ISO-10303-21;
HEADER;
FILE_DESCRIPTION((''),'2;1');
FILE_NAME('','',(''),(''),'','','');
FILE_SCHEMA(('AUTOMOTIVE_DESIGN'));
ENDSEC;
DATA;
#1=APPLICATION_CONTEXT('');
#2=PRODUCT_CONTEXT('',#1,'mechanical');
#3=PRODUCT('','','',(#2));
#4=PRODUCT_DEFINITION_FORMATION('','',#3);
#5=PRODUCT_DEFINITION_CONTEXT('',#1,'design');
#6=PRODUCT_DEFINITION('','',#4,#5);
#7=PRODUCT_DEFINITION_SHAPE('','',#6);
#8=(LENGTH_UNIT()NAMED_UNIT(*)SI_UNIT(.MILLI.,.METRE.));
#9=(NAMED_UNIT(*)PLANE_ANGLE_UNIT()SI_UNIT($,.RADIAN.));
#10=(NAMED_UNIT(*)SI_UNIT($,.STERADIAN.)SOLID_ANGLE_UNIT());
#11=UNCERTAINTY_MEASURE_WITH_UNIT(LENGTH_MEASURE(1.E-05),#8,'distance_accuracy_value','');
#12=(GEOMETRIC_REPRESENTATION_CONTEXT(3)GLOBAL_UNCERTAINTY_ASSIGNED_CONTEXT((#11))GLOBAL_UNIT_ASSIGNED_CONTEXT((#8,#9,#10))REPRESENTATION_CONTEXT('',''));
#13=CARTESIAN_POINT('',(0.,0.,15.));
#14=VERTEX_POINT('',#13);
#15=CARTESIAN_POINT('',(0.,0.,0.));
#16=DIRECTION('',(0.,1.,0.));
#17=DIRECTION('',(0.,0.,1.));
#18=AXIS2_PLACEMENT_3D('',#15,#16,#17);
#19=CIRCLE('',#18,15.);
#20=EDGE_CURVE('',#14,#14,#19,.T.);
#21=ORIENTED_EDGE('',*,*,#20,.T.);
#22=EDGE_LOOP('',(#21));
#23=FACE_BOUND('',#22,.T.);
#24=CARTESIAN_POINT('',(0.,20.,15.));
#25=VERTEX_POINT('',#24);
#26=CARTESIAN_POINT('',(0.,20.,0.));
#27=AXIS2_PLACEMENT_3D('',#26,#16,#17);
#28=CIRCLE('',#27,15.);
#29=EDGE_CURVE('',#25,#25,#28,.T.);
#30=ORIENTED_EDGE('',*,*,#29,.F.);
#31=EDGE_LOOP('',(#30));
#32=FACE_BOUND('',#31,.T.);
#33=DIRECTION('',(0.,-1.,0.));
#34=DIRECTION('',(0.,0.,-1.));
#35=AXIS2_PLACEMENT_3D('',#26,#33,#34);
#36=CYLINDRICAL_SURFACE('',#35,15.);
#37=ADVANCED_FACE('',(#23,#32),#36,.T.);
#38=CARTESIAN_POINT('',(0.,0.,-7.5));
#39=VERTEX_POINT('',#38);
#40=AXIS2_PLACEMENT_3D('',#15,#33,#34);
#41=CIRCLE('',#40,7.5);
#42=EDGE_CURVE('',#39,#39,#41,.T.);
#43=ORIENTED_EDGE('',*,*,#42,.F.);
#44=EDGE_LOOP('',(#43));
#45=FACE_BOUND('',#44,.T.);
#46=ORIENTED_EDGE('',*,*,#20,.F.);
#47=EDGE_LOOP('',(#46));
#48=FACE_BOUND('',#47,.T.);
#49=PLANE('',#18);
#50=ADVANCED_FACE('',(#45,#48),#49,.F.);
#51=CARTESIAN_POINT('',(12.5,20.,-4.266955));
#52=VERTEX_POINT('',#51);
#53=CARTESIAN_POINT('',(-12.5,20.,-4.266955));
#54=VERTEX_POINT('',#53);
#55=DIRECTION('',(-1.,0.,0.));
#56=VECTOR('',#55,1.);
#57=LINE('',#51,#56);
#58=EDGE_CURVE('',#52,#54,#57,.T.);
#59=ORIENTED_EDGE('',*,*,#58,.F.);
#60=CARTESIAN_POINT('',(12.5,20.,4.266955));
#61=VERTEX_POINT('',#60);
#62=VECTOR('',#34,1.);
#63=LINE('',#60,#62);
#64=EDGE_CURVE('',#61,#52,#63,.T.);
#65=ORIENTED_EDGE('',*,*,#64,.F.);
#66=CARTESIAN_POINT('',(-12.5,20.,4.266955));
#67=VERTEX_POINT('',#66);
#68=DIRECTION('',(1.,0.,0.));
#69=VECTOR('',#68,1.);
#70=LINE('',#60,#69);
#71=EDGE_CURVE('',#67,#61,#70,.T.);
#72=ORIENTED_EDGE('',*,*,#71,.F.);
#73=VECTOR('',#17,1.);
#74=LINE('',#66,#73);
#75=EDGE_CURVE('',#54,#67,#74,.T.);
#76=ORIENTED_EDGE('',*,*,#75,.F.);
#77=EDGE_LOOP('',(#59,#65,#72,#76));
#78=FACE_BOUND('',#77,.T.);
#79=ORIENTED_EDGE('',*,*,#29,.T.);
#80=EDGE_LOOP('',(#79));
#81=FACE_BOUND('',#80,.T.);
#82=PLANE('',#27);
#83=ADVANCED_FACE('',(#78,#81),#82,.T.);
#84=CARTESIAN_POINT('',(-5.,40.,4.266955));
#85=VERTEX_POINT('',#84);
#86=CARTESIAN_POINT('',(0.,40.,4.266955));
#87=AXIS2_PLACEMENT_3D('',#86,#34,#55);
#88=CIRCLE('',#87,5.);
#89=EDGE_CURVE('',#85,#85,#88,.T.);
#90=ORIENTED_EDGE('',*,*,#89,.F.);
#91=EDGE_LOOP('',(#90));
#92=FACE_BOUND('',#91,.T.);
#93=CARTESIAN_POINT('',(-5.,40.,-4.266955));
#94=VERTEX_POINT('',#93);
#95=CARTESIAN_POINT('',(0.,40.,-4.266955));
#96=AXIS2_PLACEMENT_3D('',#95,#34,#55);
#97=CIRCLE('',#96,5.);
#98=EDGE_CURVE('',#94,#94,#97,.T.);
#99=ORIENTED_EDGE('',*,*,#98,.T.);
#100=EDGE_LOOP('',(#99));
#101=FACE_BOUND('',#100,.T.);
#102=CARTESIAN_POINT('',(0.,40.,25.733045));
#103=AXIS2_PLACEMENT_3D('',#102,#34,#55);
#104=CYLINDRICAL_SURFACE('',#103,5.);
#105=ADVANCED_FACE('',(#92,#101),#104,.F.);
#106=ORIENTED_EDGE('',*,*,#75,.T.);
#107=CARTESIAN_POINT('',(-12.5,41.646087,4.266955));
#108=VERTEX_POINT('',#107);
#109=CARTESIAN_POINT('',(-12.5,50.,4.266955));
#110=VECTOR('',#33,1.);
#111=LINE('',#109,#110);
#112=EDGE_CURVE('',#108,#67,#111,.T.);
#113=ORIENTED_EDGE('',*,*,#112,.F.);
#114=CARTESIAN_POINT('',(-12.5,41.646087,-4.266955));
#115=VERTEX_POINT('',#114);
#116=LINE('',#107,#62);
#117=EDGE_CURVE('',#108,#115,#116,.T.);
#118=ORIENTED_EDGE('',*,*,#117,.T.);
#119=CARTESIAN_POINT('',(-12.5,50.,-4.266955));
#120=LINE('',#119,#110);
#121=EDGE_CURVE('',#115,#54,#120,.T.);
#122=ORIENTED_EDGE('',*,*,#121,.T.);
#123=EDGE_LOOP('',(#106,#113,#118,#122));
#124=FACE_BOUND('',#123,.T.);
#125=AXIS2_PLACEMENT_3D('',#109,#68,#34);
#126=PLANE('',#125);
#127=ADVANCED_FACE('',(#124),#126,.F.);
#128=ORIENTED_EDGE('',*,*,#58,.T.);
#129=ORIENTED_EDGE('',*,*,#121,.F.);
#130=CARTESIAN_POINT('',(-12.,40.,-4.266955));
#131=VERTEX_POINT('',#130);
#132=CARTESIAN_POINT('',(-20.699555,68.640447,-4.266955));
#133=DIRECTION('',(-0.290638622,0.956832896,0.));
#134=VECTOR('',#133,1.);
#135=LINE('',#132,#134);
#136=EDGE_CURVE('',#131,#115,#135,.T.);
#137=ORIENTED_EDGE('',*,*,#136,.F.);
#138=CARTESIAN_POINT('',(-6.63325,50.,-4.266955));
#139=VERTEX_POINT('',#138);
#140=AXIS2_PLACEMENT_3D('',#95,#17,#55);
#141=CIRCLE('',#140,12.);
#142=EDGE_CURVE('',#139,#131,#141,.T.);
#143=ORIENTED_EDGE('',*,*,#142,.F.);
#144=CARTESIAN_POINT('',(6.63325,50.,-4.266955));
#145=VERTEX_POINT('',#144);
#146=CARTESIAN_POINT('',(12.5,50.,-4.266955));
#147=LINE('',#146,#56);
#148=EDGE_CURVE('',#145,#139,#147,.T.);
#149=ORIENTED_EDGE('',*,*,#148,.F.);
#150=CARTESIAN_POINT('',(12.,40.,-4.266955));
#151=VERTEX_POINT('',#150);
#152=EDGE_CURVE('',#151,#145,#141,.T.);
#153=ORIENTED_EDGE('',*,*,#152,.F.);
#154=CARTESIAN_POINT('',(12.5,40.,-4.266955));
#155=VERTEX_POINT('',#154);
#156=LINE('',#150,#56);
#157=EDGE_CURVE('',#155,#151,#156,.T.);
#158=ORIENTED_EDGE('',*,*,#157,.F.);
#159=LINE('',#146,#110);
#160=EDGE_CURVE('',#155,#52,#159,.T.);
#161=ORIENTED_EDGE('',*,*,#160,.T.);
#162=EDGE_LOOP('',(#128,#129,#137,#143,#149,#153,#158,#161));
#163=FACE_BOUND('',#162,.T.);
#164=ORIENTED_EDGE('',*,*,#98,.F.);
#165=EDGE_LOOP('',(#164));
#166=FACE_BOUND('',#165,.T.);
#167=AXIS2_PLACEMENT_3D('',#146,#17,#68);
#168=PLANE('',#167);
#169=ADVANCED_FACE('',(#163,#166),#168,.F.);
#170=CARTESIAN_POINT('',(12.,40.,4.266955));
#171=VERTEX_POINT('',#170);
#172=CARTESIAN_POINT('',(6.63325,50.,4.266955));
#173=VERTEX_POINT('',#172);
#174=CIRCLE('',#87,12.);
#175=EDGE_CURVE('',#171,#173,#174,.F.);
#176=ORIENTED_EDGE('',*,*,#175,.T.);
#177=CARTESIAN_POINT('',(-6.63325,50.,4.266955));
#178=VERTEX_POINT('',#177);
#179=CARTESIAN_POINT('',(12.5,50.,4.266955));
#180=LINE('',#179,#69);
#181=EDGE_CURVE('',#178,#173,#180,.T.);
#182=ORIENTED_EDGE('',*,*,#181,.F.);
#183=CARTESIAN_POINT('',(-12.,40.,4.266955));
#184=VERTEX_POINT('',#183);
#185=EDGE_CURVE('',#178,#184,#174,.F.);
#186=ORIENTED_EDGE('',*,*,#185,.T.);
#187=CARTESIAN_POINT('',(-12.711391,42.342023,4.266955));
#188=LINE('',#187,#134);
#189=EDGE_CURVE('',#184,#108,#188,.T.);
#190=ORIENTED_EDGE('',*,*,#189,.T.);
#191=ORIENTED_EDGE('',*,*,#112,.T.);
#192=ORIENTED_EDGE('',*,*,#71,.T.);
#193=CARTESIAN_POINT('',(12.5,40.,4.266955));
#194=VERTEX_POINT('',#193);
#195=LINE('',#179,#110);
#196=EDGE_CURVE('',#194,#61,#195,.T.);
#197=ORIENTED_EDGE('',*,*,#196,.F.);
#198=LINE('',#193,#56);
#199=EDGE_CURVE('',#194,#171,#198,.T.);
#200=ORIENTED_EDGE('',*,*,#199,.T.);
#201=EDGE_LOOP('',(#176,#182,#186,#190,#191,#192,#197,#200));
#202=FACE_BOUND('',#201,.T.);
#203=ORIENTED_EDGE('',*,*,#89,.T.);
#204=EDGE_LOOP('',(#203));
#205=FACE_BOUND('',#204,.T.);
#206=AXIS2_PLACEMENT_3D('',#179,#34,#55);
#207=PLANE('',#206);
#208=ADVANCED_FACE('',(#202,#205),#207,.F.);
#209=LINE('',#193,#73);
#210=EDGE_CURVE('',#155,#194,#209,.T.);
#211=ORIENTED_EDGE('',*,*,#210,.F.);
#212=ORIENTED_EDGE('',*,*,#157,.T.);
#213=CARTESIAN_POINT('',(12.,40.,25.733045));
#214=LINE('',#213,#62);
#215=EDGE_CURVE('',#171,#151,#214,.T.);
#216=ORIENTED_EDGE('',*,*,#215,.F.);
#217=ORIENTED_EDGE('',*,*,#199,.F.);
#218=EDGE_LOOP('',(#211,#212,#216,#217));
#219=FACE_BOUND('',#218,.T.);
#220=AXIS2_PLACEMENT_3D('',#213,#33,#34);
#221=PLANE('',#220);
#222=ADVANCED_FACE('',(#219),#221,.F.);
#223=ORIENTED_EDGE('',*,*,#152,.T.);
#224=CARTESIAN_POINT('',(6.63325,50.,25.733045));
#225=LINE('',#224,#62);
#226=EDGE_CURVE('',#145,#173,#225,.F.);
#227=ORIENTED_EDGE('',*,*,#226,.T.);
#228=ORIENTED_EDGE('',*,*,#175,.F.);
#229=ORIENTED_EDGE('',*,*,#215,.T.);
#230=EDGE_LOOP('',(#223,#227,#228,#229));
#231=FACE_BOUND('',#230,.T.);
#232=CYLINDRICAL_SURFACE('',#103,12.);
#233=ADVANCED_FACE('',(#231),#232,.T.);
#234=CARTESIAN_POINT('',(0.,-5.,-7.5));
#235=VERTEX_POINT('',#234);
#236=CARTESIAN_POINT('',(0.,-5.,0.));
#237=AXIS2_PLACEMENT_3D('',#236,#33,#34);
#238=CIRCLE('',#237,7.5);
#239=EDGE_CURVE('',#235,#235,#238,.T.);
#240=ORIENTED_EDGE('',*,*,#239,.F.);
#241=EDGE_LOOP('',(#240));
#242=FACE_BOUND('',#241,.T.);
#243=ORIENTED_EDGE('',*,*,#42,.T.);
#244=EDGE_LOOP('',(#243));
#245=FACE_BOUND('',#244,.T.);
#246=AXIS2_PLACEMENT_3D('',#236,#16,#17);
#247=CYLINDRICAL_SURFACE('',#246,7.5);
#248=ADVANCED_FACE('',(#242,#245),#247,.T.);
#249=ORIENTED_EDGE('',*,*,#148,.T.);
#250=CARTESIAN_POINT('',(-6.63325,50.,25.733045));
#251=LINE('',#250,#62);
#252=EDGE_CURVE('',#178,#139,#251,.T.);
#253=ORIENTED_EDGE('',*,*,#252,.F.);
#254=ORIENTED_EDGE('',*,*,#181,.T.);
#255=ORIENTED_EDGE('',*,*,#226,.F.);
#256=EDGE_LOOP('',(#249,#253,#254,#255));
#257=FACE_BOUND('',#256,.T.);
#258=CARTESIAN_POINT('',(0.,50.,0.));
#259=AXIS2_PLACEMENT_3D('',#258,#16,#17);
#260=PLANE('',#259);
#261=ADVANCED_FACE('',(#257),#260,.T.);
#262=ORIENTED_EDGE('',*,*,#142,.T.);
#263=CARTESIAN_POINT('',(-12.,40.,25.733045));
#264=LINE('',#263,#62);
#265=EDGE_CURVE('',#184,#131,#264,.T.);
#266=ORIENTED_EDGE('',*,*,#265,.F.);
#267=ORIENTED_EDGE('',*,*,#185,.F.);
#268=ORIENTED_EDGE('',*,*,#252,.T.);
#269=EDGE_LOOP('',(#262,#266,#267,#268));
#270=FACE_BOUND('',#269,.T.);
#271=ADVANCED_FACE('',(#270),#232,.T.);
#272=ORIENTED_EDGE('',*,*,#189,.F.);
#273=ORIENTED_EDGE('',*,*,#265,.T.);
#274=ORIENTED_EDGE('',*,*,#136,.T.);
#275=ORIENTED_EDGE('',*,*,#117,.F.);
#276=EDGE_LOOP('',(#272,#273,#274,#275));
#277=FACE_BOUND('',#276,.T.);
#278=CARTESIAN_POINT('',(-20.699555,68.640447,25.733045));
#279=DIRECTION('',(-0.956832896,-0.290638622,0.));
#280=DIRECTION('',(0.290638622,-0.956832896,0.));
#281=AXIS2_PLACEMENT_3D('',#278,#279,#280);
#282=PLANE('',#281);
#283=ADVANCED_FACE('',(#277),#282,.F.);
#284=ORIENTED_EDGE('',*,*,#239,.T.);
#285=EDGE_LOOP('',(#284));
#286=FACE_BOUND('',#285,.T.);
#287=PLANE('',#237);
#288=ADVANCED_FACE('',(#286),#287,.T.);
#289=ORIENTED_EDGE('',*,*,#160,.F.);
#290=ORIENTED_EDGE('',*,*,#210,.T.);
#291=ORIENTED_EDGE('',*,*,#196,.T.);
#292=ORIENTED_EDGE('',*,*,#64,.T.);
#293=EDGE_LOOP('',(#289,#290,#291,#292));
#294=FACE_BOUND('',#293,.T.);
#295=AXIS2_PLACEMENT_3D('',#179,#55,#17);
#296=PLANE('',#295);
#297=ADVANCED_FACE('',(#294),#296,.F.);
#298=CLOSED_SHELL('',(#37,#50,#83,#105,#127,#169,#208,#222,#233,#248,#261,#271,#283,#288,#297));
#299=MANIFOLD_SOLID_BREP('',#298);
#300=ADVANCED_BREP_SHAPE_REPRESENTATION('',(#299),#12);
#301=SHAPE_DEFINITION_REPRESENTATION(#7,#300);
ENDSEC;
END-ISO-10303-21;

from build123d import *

# Parameters (mm, degrees)
SKETCH1_R           = 15
BOSS_EXTRUDE1_DEPTH = 20
SKETCH2_R           = 7.5
CUT_EXTRUDE1_DEPTH  = 10
SKETCH3_W           = 25
SKETCH3_H           = 8.533910502
BOSS_EXTRUDE2_DEPTH = 30
SKETCH4_R           = 5
CUT_EXTRUDE2_DEPTH  = 30
SKETCH5_R           = 7.5
BOSS_EXTRUDE3_DEPTH = 15


with BuildPart() as part:
    # Sketch1 → Boss-Extrude1 (new body)
    with BuildSketch(Plane(origin=(0, 0, 0), x_dir=(1, 0, 0), z_dir=(0, 1, 0))):
        Circle(SKETCH1_R)
    extrude(amount=BOSS_EXTRUDE1_DEPTH)

    # Sketch2 → Cut-Extrude1 (cut)
    with BuildSketch(Plane.XZ):
        Circle(SKETCH2_R)
    extrude(amount=-CUT_EXTRUDE1_DEPTH, mode=Mode.SUBTRACT)

    # Sketch3 → Boss-Extrude2 (add)
    with BuildSketch(Plane(origin=(0, 20, 0), x_dir=(1, 0, 0), z_dir=(0, 1, 0))):
        Rectangle(SKETCH3_W, SKETCH3_H)
    extrude(amount=BOSS_EXTRUDE2_DEPTH)

    # Sketch4 → Cut-Extrude2 (cut)
    with BuildSketch(Plane(origin=(0, 0, -4.266955251), x_dir=(-1, 0, 0), z_dir=(0, 0, -1))):
        with Locations((0, 40)):
            Circle(SKETCH4_R)
        with BuildLine():
            Line((12, 112.846805037), (20.699554593, 68.640446889))
            Line((20.699554593, 68.640446889), (12, 40))
            ThreePointArc((12, 40), (0, 52), (-12, 40))
            Line((-12, 40), (-18.346894815, 40))
            Line((-18.346894815, 40), (-15.704364739, 112.846805037))
            Line((-15.704364739, 112.846805037), (12, 112.846805037))
        make_face()
    extrude(amount=-CUT_EXTRUDE2_DEPTH, mode=Mode.SUBTRACT)

    # Sketch5 → Boss-Extrude3 (add)
    with BuildSketch(Plane.XZ.offset(-10)):
        Circle(SKETCH5_R)
    extrude(amount=BOSS_EXTRUDE3_DEPTH)


solid = part.part
